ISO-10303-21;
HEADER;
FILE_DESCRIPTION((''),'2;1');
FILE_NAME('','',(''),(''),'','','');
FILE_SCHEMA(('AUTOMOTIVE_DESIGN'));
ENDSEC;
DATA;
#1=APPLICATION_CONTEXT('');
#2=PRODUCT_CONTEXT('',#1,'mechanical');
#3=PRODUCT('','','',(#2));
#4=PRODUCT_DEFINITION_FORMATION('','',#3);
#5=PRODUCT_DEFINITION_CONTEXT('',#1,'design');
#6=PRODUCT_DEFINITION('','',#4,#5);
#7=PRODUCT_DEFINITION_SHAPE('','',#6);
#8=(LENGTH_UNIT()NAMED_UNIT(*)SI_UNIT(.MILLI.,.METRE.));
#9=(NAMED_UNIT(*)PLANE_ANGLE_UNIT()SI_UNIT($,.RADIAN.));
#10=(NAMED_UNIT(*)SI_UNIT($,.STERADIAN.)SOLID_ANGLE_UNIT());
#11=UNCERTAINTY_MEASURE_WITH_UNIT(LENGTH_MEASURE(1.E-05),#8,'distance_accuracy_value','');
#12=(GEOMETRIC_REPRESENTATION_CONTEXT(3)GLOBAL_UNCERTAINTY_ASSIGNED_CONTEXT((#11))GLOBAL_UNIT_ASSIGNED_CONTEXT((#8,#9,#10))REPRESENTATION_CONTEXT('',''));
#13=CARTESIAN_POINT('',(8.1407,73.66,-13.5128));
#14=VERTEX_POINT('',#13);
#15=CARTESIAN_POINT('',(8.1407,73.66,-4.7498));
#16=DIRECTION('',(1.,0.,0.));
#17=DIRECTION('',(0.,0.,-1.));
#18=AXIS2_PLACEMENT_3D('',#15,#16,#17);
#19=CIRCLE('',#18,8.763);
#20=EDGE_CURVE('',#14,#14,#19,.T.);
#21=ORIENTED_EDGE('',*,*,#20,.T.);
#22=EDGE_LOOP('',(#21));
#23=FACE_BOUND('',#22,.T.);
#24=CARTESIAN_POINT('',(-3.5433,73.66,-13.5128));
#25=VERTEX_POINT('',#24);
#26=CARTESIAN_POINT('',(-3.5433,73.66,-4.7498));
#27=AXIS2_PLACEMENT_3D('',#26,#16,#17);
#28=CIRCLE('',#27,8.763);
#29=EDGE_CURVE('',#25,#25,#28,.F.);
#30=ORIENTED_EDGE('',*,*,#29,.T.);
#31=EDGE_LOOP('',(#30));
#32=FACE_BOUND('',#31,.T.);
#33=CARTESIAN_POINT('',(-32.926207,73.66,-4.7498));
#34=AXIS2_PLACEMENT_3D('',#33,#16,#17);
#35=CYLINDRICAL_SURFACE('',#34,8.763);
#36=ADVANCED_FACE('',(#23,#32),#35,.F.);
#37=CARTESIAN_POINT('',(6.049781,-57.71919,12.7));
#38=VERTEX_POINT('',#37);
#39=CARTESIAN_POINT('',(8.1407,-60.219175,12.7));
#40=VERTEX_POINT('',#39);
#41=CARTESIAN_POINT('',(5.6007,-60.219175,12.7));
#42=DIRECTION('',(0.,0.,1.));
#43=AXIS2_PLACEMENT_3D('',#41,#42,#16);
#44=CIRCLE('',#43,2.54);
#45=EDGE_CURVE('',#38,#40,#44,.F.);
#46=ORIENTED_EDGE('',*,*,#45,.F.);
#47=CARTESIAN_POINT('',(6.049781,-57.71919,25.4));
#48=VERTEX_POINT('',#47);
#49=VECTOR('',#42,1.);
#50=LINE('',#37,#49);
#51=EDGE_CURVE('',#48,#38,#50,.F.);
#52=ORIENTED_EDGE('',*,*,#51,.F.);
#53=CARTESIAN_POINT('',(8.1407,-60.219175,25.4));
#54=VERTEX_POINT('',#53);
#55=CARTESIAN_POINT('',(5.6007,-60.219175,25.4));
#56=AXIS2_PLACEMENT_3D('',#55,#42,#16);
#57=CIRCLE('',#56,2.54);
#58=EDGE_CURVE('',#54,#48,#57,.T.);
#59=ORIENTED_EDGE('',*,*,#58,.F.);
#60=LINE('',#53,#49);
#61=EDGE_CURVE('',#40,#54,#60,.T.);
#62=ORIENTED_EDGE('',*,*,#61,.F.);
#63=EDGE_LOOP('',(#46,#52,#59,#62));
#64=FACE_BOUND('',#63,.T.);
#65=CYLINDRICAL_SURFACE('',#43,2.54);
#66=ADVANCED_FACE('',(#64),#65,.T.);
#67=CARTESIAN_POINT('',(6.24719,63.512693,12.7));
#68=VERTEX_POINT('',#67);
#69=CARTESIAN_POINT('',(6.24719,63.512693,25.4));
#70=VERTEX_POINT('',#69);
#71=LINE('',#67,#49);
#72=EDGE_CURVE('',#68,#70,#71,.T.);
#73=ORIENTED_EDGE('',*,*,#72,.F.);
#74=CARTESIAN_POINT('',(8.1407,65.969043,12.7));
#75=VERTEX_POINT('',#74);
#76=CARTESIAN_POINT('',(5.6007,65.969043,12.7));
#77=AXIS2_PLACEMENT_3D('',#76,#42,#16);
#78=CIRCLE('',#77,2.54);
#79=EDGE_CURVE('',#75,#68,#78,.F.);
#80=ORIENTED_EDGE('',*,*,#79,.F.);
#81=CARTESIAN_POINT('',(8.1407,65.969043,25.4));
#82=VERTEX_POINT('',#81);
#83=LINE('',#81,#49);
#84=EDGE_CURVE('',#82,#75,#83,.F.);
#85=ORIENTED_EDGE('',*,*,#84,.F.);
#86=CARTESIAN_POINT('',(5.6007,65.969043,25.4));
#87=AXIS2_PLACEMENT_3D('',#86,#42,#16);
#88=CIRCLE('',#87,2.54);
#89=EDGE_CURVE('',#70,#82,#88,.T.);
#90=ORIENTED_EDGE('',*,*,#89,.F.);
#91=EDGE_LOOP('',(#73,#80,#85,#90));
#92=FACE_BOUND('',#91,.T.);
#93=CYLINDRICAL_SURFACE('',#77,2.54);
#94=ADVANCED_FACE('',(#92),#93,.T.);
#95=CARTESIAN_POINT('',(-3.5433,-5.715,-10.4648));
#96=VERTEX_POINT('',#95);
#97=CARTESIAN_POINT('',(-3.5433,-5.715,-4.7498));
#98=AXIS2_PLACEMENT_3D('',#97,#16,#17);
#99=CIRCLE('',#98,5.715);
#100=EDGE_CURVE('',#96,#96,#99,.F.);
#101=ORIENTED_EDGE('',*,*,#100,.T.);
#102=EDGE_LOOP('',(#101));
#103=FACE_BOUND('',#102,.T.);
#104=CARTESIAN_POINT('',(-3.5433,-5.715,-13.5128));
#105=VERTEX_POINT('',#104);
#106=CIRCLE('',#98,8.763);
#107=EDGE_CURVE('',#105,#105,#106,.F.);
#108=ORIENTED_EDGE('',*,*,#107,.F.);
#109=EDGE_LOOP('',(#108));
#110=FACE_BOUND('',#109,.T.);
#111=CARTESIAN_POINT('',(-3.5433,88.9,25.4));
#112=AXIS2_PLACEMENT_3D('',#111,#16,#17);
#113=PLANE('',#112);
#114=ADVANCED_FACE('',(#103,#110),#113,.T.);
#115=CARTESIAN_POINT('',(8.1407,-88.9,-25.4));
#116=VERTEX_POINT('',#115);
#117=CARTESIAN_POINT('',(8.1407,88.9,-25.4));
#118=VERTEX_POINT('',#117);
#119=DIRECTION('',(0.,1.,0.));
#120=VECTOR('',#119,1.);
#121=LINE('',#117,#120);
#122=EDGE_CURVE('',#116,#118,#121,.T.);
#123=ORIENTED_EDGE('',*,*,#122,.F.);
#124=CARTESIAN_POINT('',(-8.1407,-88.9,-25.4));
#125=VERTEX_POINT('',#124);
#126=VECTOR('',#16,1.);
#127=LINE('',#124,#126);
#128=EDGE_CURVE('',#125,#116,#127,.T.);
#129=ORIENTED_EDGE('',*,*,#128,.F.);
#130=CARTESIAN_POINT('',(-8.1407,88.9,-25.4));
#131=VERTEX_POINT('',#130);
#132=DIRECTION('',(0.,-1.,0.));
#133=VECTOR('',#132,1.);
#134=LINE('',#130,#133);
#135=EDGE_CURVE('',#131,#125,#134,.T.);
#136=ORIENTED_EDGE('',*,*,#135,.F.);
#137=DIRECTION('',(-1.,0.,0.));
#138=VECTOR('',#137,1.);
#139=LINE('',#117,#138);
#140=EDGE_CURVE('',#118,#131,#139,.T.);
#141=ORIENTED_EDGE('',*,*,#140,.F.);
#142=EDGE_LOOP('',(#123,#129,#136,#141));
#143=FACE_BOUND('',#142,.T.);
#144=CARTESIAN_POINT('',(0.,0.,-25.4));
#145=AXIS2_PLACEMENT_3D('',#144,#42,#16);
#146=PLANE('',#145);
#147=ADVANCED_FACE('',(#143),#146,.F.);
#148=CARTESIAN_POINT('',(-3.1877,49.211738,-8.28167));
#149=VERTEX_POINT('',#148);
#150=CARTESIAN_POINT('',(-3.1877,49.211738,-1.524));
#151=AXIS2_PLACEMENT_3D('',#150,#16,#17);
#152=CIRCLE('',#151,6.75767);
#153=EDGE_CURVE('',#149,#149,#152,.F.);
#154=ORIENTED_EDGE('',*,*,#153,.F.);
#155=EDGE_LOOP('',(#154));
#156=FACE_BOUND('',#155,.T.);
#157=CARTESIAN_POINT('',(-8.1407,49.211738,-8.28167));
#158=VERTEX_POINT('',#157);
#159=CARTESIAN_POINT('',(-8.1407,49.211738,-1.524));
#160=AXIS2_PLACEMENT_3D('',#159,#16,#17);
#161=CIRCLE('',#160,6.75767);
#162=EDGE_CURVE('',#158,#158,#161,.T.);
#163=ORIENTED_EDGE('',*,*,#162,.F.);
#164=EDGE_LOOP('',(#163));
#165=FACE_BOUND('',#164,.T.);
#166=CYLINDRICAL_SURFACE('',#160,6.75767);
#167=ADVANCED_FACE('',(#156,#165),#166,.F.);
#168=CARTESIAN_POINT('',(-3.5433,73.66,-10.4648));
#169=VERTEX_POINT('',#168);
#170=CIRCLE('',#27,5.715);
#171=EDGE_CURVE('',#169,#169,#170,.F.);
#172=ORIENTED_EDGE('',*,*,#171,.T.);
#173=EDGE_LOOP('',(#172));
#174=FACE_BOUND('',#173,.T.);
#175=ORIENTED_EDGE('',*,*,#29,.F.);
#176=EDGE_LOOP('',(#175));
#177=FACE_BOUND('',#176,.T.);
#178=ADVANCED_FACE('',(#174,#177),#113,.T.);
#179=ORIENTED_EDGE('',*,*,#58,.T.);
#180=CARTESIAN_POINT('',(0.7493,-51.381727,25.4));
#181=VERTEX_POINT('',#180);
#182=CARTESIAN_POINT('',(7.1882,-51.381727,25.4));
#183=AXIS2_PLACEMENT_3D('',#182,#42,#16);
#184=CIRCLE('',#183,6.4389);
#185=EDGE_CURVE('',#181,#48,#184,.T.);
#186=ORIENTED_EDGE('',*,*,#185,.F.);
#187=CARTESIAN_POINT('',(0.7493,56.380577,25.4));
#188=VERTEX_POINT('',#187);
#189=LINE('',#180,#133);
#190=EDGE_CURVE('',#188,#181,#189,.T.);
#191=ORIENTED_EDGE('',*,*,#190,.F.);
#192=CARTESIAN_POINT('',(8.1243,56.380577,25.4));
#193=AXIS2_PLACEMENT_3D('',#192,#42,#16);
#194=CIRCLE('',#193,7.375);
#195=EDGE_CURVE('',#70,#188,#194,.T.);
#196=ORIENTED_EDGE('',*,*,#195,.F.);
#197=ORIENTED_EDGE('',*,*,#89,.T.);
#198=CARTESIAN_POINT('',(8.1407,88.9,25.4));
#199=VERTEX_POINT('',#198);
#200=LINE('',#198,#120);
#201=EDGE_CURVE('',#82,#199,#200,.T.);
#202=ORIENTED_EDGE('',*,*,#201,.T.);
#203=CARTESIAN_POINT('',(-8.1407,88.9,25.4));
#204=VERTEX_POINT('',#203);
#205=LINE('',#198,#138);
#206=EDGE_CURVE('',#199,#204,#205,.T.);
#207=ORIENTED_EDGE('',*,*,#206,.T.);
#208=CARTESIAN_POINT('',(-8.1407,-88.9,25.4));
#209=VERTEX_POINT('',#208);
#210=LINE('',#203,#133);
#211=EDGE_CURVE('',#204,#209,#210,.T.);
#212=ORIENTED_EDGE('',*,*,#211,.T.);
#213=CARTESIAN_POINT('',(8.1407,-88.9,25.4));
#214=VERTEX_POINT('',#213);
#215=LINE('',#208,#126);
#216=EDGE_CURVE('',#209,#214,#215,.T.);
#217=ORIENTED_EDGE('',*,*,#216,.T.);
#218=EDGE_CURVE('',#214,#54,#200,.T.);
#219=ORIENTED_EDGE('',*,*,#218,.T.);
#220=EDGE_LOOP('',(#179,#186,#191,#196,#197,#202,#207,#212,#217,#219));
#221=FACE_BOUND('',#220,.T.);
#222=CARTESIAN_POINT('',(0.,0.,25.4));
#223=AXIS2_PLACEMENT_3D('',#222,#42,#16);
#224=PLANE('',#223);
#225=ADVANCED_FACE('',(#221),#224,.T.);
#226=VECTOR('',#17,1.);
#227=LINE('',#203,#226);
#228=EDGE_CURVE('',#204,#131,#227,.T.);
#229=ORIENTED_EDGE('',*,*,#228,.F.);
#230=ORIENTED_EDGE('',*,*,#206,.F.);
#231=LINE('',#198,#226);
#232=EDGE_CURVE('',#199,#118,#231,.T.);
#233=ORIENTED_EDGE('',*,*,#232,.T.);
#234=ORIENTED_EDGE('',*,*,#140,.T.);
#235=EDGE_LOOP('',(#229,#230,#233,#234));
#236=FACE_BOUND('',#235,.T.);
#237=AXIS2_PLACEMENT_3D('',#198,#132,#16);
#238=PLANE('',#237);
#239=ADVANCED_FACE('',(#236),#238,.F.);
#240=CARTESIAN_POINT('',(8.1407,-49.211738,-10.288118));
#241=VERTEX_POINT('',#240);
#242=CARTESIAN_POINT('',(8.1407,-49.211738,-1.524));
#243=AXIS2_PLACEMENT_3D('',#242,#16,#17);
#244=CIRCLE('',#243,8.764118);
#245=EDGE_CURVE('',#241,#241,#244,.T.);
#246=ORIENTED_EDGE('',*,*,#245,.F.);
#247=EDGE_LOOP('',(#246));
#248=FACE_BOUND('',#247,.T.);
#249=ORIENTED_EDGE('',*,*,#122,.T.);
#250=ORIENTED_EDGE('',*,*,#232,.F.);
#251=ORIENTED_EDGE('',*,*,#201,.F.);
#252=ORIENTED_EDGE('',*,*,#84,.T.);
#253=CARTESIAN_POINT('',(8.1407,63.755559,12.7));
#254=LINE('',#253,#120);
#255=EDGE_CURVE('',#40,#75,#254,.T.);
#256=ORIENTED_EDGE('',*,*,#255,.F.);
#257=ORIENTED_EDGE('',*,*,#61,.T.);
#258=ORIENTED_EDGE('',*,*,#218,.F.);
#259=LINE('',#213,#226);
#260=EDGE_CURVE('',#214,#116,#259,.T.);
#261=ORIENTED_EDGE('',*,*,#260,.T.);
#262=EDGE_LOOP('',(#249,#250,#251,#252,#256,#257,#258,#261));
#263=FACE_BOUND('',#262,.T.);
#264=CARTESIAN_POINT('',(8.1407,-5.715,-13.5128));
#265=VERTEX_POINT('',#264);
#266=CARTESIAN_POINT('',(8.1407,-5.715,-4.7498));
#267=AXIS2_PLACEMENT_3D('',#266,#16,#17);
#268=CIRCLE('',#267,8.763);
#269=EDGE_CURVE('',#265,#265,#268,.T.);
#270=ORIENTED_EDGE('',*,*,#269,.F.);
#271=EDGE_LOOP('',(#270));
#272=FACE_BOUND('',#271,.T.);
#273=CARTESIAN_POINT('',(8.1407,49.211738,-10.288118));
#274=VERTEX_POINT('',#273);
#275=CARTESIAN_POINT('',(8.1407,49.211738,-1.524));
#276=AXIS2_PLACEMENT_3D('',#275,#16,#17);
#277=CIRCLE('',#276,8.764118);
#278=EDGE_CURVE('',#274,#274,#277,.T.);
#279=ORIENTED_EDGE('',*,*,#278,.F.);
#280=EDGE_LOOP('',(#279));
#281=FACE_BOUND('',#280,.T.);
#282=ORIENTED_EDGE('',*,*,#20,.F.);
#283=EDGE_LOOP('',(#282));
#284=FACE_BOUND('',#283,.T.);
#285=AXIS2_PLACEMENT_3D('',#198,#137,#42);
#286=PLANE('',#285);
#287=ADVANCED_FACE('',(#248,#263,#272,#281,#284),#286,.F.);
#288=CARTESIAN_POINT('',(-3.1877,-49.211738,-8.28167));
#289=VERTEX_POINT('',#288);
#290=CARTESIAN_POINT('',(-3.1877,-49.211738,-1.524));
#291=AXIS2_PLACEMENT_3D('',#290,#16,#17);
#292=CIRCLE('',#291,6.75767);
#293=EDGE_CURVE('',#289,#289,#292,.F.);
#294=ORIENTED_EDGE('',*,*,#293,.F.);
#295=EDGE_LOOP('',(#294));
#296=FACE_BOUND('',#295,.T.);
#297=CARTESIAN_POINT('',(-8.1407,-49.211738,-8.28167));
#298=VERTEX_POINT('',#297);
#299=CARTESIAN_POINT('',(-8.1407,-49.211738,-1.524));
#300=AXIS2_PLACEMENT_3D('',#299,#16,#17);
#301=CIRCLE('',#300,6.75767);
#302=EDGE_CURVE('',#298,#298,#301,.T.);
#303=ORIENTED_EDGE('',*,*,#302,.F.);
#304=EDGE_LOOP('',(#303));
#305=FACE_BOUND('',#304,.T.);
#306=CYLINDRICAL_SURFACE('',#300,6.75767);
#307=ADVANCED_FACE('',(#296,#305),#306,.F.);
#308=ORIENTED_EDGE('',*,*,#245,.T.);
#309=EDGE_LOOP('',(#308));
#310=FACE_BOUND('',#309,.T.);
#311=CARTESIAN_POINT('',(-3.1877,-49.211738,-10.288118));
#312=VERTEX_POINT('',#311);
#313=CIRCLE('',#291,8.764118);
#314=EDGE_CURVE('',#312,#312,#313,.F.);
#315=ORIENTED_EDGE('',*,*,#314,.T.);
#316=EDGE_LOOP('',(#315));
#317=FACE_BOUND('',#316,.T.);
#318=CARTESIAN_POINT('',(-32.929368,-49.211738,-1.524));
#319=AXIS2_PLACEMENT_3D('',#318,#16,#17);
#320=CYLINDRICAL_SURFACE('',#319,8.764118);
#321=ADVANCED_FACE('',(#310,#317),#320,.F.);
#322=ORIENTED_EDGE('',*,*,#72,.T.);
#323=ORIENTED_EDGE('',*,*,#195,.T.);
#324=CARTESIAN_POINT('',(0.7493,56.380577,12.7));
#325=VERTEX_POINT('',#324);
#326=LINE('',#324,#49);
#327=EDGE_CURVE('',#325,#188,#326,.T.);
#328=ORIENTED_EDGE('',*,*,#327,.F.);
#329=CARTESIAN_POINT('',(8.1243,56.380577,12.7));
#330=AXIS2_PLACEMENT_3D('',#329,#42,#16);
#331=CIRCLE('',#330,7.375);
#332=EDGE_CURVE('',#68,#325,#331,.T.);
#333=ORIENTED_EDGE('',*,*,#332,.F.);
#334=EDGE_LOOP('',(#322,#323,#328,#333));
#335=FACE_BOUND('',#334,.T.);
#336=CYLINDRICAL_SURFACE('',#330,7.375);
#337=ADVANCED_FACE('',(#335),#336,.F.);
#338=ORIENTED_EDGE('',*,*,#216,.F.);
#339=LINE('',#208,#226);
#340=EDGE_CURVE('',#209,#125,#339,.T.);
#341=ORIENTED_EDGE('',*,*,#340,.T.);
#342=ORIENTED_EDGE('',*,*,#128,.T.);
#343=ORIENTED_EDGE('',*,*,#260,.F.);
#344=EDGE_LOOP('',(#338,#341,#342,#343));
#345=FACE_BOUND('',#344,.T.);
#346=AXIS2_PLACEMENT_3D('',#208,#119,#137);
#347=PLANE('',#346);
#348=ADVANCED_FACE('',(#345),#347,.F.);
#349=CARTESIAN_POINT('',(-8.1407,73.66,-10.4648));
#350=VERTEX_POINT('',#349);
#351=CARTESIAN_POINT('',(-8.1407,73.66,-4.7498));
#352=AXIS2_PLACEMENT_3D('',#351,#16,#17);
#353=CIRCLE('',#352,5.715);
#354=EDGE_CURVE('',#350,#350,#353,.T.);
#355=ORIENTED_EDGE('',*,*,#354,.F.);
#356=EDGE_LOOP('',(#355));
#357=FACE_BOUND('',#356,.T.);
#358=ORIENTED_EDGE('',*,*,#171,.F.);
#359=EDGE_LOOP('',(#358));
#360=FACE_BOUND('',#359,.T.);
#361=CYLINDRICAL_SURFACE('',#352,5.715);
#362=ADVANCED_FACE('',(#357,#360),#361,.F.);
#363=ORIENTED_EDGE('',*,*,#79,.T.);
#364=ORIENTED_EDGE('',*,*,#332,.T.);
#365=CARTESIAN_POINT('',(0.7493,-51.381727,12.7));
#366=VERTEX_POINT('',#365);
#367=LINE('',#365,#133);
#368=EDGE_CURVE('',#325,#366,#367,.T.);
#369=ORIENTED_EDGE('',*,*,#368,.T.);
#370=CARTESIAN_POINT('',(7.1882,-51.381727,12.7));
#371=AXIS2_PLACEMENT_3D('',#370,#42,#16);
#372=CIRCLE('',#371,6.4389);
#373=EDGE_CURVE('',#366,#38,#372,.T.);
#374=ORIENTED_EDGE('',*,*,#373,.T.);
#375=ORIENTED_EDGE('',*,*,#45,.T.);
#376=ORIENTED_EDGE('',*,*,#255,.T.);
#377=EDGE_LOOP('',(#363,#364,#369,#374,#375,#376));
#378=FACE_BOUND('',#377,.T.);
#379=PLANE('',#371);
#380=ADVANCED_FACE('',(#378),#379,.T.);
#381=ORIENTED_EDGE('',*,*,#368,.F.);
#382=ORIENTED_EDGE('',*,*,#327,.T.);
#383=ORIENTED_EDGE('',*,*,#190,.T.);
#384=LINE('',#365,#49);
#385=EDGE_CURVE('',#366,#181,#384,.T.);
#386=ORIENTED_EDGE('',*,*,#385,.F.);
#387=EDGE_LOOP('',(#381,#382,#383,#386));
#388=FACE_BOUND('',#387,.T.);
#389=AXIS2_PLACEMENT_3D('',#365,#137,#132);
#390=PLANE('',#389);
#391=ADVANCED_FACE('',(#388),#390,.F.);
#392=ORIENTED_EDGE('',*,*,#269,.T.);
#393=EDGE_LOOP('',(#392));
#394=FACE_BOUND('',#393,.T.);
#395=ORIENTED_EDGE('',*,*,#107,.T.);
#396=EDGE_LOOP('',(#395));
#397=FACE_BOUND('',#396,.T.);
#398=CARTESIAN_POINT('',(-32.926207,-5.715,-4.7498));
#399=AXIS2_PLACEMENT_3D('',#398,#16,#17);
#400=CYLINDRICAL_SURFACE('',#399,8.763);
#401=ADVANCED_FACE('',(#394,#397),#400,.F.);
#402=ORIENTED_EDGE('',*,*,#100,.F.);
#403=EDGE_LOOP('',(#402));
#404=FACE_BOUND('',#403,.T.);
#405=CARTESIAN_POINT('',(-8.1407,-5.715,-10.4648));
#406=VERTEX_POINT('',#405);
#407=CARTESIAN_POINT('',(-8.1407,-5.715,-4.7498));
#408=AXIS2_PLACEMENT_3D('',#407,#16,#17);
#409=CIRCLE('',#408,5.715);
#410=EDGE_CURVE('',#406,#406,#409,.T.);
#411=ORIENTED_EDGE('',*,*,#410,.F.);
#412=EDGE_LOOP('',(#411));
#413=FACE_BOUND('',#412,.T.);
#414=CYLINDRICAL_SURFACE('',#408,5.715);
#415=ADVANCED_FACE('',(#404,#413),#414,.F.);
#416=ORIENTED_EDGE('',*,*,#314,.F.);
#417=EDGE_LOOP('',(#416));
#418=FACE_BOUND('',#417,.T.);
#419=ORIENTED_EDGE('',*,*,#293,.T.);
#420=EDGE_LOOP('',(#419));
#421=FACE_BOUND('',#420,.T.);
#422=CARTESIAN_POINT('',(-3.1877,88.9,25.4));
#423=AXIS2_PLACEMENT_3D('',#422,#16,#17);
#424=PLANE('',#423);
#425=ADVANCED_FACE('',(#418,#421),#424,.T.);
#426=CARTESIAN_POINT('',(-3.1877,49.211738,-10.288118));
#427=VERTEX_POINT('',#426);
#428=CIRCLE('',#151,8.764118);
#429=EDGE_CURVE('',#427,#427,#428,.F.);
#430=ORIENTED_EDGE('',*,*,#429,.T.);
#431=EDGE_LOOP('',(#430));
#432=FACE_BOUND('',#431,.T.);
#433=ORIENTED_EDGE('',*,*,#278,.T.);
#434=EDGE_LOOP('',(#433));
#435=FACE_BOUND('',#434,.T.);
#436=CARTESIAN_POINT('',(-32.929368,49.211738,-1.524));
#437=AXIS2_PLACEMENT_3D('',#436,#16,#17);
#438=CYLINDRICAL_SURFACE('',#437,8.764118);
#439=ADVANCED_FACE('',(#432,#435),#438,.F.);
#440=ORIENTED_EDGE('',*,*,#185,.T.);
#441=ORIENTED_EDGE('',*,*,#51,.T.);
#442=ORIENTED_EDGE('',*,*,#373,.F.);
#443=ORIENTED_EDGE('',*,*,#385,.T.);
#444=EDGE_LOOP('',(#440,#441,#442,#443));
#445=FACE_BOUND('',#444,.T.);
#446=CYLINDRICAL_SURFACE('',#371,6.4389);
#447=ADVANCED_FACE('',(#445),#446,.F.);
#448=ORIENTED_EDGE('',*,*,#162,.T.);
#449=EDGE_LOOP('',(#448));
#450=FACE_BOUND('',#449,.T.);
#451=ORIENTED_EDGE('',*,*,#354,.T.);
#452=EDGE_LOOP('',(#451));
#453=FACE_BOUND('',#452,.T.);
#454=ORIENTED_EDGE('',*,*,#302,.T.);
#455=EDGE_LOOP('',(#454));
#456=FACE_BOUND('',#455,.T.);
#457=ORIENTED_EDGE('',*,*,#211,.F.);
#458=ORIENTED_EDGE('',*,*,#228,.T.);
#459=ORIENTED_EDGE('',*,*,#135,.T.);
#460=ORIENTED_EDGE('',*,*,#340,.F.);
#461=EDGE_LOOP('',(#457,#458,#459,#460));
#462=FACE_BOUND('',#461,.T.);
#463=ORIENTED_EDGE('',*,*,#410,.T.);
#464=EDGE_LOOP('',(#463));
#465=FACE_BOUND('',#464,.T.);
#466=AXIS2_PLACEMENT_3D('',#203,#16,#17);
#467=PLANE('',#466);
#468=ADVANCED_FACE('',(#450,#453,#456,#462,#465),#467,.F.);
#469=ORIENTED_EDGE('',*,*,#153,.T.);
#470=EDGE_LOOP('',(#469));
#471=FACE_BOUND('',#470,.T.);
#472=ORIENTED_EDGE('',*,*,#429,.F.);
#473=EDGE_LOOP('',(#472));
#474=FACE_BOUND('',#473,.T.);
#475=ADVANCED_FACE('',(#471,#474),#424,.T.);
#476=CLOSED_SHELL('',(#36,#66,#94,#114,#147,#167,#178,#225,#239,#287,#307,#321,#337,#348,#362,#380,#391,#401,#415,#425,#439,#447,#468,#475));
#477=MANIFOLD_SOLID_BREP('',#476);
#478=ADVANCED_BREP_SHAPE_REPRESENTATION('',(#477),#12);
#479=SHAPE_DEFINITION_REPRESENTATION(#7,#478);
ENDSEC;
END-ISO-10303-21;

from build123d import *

# Parameters (mm, degrees)
SKETCH1_W           = 16.2814
SKETCH1_H           = 177.8
BOSS_EXTRUDE1_DEPTH = 25.4
SKETCH2_R           = 6.75767
CUT_EXTRUDE1_DEPTH  = 94.879997795
SKETCH3_R           = 8.7641176
CUT_EXTRUDE2_DEPTH  = 11.3284
CUT_EXTRUDE3_DEPTH  = 12.7
SKETCH5_R           = 5.715
CUT_EXTRUDE4_DEPTH  = 94.879997795
SKETCH6_R           = 8.763
CUT_EXTRUDE5_DEPTH  = 11.684
FILLET1_R           = 2.54


with BuildPart() as part:
    # Sketch1 → Boss-Extrude1 (new, symmetric)
    with BuildSketch(Plane.XY):
        Rectangle(SKETCH1_W, SKETCH1_H)
    extrude(amount=BOSS_EXTRUDE1_DEPTH, both=True)

    # Sketch2 → Cut-Extrude1 (cut, through all)
    with BuildSketch(Plane(origin=(8.1407, 0, 0), x_dir=(0, 0, -1), z_dir=(1, 0, 0))):
        with Locations((1.524, 49.211738)):
            Circle(SKETCH2_R)
        with Locations((1.524, -49.211738)):
            Circle(SKETCH2_R)
    extrude(amount=-CUT_EXTRUDE1_DEPTH, mode=Mode.SUBTRACT)

    # Sketch3 → Cut-Extrude2 (cut)
    with BuildSketch(Plane(origin=(8.1407, 0, 0), x_dir=(0, 0, -1), z_dir=(1, 0, 0))):
        with Locations((1.524, 49.211738)):
            Circle(SKETCH3_R)
        with Locations((1.524, -49.211738)):
            Circle(SKETCH3_R)
    extrude(amount=-CUT_EXTRUDE2_DEPTH, mode=Mode.SUBTRACT)

    # Sketch4 → Cut-Extrude3 (cut)
    with BuildSketch(Plane.XY.offset(25.4)):
        with BuildLine():
            Line((0.7493, -51.381727108), (0.7493, 56.38057714))
            ThreePointArc((0.7493, 56.38057714), (2.915188991, 61.601284707), (8.1407, 63.755558905))
            Line((8.1407, 63.755558905), (8.1407, -57.749786229))
            ThreePointArc((8.1407, -57.749786229), (2.985440135, -56.259866378), (0.7493, -51.381727108))
        make_face()
    extrude(amount=-CUT_EXTRUDE3_DEPTH, mode=Mode.SUBTRACT)

    # Sketch5 → Cut-Extrude4 (cut, through all)
    with BuildSketch(Plane(origin=(8.1407, 0, 0), x_dir=(0, 0, -1), z_dir=(1, 0, 0))):
        with Locations((4.7498, -5.715)):
            Circle(SKETCH5_R)
        with Locations((4.7498, 73.66)):
            Circle(SKETCH5_R)
    extrude(amount=-CUT_EXTRUDE4_DEPTH, mode=Mode.SUBTRACT)

    # Sketch6 → Cut-Extrude5 (cut)
    with BuildSketch(Plane(origin=(8.1407, 0, 0), x_dir=(0, 0, -1), z_dir=(1, 0, 0))):
        with Locations((4.7498, -5.715)):
            Circle(SKETCH6_R)
        with Locations((4.7498, 73.66)):
            Circle(SKETCH6_R)
    extrude(amount=-CUT_EXTRUDE5_DEPTH, mode=Mode.SUBTRACT)

    # Fillet1
    fillet1_edges = [part.edges().sort_by_distance(p)[0] for p in [
        (8.1407, -57.749786229, 19.05),
        (8.1407, 63.755558905, 19.05),
    ]]
    fillet(fillet1_edges, radius=FILLET1_R)


solid = part.part
